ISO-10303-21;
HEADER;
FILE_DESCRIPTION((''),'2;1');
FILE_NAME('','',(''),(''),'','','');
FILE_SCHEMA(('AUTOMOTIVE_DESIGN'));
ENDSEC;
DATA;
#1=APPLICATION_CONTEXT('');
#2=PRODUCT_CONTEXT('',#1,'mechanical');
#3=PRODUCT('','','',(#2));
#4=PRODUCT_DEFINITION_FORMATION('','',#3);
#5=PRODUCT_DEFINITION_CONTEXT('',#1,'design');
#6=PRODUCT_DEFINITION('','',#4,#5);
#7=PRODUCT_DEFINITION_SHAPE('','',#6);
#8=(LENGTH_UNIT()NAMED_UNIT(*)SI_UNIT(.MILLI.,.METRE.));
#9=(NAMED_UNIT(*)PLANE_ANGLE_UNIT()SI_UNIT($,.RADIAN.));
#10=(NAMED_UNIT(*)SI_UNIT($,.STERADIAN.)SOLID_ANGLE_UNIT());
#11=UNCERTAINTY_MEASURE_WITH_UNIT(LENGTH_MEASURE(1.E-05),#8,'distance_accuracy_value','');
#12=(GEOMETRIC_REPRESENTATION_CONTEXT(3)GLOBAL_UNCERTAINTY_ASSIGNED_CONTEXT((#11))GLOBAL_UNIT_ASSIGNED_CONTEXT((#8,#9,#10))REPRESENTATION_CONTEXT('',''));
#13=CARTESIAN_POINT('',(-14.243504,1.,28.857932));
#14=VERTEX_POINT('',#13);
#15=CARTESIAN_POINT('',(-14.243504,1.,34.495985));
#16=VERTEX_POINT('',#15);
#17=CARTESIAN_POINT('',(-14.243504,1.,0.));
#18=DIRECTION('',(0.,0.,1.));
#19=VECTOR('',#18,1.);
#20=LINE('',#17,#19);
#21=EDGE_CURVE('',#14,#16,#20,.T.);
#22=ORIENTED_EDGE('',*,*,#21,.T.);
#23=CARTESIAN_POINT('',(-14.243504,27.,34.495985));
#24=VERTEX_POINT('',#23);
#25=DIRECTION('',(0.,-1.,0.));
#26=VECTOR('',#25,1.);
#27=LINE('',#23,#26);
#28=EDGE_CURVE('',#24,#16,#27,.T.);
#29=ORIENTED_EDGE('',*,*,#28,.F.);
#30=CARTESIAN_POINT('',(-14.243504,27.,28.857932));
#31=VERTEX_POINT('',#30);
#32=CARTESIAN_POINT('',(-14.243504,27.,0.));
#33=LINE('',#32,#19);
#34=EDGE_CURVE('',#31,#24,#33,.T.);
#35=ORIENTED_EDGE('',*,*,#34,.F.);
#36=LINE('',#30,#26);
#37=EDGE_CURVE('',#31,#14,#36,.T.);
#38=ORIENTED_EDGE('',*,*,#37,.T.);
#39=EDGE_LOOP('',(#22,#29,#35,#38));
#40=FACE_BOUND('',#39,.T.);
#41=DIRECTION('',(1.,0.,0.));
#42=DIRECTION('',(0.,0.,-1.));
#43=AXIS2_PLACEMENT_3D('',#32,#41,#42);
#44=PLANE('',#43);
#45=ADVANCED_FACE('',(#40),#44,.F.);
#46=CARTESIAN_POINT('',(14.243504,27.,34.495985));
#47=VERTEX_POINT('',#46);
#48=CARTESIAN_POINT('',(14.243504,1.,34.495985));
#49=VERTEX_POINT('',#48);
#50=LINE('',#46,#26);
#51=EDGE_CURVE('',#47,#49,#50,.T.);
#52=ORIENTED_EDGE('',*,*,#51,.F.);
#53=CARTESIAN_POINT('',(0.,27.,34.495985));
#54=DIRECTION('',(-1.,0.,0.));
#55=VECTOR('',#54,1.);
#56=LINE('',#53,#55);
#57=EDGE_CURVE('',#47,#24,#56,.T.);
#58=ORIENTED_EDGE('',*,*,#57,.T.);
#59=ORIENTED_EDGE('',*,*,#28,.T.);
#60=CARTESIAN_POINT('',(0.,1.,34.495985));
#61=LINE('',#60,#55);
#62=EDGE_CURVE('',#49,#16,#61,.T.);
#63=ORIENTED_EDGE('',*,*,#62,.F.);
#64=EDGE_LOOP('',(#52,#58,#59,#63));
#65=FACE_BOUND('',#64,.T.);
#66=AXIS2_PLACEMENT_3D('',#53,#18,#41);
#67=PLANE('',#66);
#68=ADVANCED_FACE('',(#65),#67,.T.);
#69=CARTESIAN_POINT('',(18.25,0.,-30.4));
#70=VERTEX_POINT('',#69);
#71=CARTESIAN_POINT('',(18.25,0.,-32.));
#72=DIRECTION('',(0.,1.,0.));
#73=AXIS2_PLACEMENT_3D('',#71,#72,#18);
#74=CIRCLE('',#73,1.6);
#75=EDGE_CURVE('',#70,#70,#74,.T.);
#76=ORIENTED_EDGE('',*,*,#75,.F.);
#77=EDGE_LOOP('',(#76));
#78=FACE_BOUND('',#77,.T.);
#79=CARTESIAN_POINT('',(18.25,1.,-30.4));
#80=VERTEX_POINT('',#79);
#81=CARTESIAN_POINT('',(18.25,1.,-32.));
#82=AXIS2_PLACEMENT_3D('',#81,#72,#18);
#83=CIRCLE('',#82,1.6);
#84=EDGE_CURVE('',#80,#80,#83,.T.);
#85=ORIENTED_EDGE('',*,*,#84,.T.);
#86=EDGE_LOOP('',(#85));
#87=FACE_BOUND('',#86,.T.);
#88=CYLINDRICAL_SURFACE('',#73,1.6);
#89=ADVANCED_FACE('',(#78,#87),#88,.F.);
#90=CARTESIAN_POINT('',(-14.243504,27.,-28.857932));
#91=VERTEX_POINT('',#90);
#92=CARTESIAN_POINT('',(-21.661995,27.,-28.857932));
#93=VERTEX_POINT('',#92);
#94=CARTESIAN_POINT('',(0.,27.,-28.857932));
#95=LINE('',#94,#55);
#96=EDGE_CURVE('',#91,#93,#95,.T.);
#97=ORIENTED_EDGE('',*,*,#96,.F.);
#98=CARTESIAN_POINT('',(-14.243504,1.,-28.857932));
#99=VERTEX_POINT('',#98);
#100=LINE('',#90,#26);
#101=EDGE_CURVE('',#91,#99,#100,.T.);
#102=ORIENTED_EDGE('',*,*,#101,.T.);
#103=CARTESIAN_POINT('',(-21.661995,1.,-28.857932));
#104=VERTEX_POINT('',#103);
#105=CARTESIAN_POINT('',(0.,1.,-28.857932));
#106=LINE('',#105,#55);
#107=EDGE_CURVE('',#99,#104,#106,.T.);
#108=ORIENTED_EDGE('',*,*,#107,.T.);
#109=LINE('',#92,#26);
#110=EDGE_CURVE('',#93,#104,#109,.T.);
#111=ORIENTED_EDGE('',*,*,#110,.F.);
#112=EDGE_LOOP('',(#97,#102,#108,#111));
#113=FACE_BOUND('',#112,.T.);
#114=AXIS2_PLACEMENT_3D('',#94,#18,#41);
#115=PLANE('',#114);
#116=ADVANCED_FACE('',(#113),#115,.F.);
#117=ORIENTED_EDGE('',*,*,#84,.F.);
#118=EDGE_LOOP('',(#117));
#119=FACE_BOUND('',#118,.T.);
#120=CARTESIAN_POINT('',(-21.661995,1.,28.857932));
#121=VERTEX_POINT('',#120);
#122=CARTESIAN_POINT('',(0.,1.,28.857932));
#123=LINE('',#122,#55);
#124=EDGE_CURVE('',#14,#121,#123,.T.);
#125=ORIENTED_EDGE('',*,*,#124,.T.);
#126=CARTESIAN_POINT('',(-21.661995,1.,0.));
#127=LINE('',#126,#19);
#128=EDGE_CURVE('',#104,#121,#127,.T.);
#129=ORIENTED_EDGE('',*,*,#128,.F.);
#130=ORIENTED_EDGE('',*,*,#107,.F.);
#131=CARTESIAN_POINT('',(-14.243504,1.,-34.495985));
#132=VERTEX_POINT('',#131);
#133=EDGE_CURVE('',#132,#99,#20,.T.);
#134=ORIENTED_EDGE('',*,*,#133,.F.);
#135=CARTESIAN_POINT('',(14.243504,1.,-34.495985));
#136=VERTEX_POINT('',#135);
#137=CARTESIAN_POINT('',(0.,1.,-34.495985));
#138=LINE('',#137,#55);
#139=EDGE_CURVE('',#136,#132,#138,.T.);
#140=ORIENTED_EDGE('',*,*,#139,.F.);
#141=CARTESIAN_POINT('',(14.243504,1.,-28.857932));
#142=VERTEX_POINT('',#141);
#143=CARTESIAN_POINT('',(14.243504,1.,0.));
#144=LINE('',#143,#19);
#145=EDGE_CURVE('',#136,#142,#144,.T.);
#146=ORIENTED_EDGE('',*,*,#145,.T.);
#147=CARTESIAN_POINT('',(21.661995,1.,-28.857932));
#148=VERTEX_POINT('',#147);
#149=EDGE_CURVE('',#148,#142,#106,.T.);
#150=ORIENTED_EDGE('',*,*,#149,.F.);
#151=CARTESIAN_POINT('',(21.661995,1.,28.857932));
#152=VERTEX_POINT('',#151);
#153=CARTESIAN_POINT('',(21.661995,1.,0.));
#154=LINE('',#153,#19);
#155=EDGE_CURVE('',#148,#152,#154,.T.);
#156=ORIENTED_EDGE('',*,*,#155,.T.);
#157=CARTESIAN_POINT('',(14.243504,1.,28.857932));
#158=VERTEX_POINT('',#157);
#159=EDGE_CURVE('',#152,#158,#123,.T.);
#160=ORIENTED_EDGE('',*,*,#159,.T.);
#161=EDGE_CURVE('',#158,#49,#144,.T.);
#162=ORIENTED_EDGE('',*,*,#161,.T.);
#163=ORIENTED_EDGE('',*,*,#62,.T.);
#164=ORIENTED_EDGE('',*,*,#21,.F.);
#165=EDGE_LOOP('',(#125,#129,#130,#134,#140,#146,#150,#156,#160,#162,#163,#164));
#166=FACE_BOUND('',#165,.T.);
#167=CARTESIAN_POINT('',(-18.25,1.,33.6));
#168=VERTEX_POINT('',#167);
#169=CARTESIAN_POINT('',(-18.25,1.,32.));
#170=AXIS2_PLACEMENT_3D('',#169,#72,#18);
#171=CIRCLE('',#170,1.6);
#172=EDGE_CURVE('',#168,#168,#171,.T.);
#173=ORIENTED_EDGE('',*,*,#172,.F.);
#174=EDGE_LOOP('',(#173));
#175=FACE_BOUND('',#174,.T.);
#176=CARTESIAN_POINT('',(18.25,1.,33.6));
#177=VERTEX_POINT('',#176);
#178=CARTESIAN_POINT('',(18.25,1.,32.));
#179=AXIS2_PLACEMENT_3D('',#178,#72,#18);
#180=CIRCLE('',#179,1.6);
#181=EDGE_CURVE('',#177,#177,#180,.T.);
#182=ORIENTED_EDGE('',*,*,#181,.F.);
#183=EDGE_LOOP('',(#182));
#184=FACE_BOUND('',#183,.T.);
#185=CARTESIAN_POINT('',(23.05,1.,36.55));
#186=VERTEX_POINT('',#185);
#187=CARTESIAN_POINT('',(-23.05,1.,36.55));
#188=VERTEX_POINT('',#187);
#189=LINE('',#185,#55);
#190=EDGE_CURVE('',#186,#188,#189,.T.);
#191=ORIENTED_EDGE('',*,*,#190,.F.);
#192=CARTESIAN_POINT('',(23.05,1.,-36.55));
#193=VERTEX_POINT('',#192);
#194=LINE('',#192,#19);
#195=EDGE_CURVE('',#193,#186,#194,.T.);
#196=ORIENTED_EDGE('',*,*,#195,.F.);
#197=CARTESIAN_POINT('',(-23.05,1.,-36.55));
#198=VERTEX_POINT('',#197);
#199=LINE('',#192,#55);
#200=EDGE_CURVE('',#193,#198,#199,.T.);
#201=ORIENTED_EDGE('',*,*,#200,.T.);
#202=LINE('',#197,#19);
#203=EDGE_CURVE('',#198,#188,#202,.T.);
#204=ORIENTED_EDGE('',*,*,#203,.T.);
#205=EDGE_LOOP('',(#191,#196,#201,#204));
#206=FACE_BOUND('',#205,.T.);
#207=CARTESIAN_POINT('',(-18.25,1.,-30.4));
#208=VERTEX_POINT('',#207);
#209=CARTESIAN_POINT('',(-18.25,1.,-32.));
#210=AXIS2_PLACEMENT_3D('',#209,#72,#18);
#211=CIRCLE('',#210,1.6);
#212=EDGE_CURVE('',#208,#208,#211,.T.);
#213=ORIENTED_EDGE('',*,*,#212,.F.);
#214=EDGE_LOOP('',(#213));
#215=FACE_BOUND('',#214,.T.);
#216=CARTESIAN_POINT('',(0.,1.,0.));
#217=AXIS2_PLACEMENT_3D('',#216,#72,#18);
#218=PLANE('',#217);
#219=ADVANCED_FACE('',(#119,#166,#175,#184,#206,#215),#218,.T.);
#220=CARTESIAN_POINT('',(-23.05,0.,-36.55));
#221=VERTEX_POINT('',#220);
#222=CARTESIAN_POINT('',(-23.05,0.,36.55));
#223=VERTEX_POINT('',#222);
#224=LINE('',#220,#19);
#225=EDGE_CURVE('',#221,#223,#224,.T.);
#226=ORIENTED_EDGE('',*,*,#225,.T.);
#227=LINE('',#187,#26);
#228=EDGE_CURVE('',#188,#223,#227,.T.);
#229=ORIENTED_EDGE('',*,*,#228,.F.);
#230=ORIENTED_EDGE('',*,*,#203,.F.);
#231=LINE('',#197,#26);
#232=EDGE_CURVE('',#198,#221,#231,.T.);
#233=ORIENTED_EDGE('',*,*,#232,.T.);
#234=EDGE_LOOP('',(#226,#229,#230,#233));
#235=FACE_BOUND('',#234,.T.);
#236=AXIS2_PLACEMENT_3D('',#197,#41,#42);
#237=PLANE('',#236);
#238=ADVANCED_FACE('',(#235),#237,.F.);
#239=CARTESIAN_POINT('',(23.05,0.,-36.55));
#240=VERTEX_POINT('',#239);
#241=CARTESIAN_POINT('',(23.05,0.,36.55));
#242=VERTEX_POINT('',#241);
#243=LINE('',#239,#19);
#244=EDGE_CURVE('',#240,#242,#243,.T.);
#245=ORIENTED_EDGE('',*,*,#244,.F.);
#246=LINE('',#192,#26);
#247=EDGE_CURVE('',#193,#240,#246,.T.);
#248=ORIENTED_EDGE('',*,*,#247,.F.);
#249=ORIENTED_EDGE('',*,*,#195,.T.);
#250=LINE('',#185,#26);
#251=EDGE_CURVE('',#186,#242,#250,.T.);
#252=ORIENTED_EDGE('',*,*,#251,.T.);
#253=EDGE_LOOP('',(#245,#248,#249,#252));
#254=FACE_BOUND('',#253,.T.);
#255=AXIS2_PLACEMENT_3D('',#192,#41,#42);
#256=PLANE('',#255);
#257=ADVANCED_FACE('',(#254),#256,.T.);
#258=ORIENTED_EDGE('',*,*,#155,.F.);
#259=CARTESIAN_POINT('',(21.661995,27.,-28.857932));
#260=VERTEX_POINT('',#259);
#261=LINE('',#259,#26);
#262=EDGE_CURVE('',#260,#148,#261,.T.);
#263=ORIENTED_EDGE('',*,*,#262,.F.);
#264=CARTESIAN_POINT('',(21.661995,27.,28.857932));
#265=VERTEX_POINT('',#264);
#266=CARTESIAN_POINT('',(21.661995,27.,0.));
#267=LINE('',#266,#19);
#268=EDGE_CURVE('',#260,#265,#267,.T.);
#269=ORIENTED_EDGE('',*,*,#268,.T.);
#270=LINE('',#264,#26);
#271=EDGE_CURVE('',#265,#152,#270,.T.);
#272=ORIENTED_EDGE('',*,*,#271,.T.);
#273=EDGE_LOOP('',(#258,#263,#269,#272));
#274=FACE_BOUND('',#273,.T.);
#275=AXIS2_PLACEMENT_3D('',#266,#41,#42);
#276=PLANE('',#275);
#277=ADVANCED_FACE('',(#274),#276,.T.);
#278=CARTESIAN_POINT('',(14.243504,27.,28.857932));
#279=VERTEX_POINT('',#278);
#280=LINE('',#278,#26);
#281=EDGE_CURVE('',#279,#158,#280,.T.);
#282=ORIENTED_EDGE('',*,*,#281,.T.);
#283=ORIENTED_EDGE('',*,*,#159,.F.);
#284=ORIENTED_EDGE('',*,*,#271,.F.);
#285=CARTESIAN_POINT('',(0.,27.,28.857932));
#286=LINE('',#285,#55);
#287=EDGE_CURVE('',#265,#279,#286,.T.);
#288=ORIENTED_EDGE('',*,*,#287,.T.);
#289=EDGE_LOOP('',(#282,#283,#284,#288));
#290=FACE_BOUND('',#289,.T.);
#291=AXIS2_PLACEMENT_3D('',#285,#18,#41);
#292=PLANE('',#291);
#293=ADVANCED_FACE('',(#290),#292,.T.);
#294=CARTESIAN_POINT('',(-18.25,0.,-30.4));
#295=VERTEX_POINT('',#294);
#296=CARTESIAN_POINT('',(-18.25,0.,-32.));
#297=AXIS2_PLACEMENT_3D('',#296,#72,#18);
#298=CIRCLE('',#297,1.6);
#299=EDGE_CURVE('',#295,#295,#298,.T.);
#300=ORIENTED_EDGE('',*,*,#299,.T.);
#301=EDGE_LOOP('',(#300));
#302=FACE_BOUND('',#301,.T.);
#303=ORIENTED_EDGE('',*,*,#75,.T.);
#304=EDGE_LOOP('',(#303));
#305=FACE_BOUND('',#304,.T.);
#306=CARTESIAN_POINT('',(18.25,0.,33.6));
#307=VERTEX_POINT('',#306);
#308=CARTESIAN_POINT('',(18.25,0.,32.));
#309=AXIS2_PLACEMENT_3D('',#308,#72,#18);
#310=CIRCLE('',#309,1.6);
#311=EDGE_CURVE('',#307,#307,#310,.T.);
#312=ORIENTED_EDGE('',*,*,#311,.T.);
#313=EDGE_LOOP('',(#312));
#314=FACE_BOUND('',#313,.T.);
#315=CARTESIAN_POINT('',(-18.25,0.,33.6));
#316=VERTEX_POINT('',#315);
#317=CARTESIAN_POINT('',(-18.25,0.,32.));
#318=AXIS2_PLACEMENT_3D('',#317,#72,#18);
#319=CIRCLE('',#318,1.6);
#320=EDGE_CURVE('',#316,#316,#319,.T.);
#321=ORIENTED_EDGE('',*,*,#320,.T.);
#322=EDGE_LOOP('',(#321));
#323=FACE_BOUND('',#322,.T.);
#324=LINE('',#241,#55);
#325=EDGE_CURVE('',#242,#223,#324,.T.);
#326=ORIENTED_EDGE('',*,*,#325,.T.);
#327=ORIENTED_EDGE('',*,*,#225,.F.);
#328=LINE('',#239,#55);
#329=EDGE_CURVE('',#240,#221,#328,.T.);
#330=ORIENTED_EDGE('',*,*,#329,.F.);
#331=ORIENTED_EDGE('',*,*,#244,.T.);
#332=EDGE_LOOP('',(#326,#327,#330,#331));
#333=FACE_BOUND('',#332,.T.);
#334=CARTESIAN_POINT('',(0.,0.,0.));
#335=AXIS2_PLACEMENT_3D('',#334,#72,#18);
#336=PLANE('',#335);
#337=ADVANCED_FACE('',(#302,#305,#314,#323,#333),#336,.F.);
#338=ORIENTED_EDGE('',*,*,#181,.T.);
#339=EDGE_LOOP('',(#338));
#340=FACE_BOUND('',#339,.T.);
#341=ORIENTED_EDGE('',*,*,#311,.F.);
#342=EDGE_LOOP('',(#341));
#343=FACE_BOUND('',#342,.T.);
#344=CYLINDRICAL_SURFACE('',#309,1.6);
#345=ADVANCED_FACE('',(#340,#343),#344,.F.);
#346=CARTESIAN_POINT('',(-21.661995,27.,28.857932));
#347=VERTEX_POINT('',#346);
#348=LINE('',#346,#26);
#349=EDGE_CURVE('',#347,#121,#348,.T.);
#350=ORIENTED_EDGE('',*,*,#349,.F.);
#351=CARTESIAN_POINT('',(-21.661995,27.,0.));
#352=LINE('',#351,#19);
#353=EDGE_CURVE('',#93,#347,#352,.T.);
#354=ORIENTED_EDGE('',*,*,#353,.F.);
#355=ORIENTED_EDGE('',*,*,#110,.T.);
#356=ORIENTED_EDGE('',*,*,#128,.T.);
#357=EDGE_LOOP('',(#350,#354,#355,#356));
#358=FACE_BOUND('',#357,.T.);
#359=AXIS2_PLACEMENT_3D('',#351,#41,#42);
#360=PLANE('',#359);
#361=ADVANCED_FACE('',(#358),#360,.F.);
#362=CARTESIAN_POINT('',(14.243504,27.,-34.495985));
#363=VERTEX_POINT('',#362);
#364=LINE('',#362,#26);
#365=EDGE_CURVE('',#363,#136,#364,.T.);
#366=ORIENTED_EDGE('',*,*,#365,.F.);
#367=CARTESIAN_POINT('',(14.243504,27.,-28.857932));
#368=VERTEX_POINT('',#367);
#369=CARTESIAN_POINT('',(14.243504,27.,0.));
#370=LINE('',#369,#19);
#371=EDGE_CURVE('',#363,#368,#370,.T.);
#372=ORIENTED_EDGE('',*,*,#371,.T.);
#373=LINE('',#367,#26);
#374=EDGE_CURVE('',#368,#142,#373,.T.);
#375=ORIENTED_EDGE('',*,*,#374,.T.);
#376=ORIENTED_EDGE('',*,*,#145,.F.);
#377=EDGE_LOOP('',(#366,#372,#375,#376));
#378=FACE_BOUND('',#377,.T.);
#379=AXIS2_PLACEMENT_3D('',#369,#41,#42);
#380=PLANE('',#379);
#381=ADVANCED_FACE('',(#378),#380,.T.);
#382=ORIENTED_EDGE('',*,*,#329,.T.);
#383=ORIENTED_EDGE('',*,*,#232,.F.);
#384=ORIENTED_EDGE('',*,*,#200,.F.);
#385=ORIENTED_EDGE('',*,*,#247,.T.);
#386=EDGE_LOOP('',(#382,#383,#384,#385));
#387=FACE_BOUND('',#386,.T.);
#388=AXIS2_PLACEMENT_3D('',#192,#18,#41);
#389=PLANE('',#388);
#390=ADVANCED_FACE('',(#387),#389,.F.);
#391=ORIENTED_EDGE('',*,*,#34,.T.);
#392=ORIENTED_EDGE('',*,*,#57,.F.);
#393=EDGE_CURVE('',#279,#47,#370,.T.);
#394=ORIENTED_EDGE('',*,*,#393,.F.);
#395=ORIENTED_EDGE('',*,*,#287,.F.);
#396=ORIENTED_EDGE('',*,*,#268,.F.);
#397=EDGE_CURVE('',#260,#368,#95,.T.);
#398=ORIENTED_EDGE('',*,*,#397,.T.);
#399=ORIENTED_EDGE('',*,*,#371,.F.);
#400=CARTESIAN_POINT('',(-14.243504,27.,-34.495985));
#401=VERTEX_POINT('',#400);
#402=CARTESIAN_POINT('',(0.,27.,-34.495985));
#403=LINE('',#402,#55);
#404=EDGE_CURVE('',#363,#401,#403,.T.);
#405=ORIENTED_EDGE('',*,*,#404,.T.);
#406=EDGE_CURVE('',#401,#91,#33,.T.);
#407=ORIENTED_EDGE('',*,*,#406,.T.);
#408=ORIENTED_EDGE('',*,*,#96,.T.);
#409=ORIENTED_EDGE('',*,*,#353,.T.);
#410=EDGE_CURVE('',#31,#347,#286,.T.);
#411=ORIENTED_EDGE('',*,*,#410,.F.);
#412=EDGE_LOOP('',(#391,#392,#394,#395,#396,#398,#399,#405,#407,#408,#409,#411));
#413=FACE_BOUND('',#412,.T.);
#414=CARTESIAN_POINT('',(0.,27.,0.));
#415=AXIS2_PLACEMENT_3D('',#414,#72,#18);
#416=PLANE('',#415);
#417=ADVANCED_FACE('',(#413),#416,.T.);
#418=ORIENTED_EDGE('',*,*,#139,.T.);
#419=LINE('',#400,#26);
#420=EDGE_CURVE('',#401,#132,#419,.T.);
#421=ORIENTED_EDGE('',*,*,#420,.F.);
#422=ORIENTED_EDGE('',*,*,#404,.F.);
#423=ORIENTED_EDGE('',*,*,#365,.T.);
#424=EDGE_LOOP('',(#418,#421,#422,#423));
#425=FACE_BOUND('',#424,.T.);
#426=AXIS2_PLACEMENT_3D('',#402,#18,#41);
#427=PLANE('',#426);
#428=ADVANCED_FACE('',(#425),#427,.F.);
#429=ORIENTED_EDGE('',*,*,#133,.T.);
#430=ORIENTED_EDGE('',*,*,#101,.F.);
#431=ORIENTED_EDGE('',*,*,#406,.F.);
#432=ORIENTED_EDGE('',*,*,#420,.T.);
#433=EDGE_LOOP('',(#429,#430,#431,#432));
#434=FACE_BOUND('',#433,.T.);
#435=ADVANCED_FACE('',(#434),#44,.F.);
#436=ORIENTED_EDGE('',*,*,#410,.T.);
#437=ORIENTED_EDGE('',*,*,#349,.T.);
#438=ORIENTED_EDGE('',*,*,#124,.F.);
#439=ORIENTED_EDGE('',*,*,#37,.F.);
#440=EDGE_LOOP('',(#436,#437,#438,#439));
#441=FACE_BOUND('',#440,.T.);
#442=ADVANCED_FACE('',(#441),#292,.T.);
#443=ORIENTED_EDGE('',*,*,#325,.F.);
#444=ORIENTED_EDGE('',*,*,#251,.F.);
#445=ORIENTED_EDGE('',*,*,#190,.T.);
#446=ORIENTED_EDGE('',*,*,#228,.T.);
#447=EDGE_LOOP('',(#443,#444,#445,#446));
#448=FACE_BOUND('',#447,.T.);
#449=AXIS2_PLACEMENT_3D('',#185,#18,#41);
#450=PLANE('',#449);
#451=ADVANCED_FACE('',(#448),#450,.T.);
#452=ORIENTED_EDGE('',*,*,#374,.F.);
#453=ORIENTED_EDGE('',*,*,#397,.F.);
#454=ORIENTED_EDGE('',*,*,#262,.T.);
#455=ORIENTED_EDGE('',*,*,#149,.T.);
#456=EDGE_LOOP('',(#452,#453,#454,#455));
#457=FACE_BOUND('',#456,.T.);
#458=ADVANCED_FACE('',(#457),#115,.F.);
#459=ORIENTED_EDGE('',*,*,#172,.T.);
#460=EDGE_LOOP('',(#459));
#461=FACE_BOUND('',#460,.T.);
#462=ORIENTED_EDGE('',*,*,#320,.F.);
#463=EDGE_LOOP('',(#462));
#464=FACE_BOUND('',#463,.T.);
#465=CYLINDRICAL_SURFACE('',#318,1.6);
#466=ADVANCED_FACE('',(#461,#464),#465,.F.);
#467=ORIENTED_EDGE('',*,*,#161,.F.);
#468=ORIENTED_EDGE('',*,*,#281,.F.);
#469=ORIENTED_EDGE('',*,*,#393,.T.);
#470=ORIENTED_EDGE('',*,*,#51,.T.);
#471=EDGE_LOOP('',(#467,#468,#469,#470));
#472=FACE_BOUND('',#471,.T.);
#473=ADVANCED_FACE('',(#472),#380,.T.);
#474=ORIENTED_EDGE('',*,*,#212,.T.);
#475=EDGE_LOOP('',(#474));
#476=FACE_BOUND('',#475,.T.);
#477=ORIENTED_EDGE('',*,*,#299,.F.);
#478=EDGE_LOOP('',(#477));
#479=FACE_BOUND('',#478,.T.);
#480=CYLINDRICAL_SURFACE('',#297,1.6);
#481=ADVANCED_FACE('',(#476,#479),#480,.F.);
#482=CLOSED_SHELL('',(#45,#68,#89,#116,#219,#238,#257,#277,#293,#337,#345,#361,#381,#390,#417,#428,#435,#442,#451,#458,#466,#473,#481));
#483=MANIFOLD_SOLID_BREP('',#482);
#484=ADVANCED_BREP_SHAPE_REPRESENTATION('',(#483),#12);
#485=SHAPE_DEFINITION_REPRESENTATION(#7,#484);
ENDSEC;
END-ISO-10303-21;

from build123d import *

# Parameters (mm, degrees)
SKETCH1_W           = 46.1
SKETCH1_H           = 73.1
BOSS_EXTRUDE1_DEPTH = 1
SKETCH3_R           = 1.6
CUT_EXTRUDE1_DEPTH  = 44.222737072
SKETCH2_W           = 7.418491492
SKETCH2_H           = 57.715863808
SKETCH2_W_2         = 28.48700733
SKETCH2_H_2         = 5.638053534
BOSS_EXTRUDE2_DEPTH = 26


with BuildPart() as part:
    # Sketch1 → Boss-Extrude1 (new body)
    with BuildSketch(Plane(origin=(0, 0, 0), x_dir=(1, 0, 0), z_dir=(0, 1, 0))):
        Rectangle(SKETCH1_W, SKETCH1_H)
    extrude(amount=BOSS_EXTRUDE1_DEPTH)

    # Sketch3 → Cut-Extrude1 (cut, through all)
    with BuildSketch(Plane(origin=(0, 1, 0), x_dir=(1, 0, 0), z_dir=(0, 1, 0))):
        with Locations(Location((-18.25, 32, 0), (0, 0, 270))):
            Circle(SKETCH3_R)
        with Locations(Location((18.25, 32, 0), (0, 0, 270))):
            Circle(SKETCH3_R)
        with Locations(Location((18.25, -32, 0), (0, 0, 270))):
            Circle(SKETCH3_R)
        with Locations(Location((-18.25, -32, 0), (0, 0, 270))):
            Circle(SKETCH3_R)
    extrude(amount=-CUT_EXTRUDE1_DEPTH, mode=Mode.SUBTRACT)

    # Sketch2 → Boss-Extrude2 (add)
    with BuildSketch(Plane(origin=(0, 1, 0), x_dir=(1, 0, 0), z_dir=(0, 1, 0))):
        with Locations((-17.952749411, 0)):
            Rectangle(SKETCH2_W, SKETCH2_H)
        Rectangle(SKETCH2_W_2, SKETCH2_H)
        with Locations((0, 31.676958671)):
            Rectangle(SKETCH2_W_2, SKETCH2_H_2)
        with Locations((17.952749411, 0)):
            Rectangle(SKETCH2_W, SKETCH2_H)
        with Locations((0, -31.676958671)):
            Rectangle(SKETCH2_W_2, SKETCH2_H_2)
    extrude(amount=BOSS_EXTRUDE2_DEPTH)


solid = part.part
